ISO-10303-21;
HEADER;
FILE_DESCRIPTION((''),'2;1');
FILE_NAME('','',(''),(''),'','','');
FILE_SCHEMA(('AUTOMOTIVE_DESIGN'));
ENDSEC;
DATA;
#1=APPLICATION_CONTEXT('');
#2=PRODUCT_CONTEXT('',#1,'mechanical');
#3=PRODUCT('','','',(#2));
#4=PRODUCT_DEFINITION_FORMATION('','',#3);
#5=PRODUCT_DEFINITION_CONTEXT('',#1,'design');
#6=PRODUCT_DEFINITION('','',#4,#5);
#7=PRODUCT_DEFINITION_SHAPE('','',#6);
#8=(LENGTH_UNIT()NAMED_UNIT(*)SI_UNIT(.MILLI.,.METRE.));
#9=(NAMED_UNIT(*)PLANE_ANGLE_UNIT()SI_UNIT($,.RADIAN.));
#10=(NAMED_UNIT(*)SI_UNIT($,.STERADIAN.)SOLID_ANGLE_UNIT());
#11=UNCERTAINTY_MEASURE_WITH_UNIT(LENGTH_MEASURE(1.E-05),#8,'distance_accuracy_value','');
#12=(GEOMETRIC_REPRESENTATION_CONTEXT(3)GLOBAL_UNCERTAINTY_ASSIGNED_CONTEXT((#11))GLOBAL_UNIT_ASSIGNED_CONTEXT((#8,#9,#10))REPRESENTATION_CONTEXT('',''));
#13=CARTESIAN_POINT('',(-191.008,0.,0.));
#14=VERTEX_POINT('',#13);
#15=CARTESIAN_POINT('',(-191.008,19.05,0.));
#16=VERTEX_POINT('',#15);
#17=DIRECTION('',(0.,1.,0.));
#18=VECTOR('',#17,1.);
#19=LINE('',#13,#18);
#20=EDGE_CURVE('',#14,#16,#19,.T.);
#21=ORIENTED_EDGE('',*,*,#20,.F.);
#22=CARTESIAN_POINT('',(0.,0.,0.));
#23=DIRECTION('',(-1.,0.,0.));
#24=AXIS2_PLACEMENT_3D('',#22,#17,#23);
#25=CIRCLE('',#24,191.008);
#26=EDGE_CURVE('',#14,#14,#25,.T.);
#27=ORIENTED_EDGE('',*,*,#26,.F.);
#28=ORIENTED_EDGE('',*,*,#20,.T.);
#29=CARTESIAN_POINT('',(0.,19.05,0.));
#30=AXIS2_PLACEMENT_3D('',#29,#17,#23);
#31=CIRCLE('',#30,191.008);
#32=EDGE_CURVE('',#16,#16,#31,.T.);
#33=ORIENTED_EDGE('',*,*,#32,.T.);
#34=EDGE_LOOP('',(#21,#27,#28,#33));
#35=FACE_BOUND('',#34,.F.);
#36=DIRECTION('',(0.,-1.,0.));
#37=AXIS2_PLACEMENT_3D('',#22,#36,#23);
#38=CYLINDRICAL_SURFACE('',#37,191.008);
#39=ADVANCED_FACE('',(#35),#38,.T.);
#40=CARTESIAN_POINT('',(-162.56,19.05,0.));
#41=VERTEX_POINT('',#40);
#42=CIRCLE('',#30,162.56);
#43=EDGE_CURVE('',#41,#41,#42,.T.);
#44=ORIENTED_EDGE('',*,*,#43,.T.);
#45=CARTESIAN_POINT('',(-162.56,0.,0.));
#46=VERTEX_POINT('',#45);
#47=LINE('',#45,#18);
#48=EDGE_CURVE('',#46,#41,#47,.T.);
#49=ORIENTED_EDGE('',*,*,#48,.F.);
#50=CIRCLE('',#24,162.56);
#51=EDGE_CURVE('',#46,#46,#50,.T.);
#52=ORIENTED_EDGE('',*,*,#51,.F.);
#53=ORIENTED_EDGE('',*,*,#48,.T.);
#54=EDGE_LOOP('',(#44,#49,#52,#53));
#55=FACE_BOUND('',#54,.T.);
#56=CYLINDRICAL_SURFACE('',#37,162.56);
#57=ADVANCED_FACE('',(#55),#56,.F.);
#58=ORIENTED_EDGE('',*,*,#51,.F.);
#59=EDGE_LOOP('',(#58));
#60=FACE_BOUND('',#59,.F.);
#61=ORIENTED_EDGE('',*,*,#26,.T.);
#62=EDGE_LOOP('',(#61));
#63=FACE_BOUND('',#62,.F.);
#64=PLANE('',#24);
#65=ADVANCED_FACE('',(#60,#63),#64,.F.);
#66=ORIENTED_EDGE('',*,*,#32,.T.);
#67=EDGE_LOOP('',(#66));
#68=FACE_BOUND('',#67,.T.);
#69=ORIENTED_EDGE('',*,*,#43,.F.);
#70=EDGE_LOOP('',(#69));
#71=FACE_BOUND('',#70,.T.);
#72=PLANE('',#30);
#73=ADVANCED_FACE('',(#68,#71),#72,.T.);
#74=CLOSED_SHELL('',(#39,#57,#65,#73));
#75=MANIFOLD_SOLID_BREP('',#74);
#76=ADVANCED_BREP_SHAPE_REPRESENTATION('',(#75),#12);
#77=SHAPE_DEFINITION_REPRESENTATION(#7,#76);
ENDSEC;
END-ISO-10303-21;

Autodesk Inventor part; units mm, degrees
ref_plane "YZ Plane" through (0, 0, 0) normal (1, 0, 0) x (0, 1, 0)
ref_plane "XZ Plane" through (0, 0, 0) normal (0, 1, 0) x (-1, 0, 0)
ref_plane "XY Plane" through (0, 0, 0) normal (0, 0, 1) x (1, 0, 0)
sketch "Sketch1" plane through (0, 0, 0) normal (0, 1, 0) x (-1, 0, 0)
  circle A0 centre (0, 0) radius 162.56
  circle A1 centre (0, 0) radius 191.008
  dimension "d0" = 325.12
  dimension "d1" = 382.016
extrude "Extrusion1" add sketch "Sketch1" along normal blind 19.05
ref_plane "Work Plane1" through (0, 9.525, 0) normal (0, 1, 0) x (1, 0, 0)
properties part number "FRA_015_TurntableBeltPulleyMockup"
